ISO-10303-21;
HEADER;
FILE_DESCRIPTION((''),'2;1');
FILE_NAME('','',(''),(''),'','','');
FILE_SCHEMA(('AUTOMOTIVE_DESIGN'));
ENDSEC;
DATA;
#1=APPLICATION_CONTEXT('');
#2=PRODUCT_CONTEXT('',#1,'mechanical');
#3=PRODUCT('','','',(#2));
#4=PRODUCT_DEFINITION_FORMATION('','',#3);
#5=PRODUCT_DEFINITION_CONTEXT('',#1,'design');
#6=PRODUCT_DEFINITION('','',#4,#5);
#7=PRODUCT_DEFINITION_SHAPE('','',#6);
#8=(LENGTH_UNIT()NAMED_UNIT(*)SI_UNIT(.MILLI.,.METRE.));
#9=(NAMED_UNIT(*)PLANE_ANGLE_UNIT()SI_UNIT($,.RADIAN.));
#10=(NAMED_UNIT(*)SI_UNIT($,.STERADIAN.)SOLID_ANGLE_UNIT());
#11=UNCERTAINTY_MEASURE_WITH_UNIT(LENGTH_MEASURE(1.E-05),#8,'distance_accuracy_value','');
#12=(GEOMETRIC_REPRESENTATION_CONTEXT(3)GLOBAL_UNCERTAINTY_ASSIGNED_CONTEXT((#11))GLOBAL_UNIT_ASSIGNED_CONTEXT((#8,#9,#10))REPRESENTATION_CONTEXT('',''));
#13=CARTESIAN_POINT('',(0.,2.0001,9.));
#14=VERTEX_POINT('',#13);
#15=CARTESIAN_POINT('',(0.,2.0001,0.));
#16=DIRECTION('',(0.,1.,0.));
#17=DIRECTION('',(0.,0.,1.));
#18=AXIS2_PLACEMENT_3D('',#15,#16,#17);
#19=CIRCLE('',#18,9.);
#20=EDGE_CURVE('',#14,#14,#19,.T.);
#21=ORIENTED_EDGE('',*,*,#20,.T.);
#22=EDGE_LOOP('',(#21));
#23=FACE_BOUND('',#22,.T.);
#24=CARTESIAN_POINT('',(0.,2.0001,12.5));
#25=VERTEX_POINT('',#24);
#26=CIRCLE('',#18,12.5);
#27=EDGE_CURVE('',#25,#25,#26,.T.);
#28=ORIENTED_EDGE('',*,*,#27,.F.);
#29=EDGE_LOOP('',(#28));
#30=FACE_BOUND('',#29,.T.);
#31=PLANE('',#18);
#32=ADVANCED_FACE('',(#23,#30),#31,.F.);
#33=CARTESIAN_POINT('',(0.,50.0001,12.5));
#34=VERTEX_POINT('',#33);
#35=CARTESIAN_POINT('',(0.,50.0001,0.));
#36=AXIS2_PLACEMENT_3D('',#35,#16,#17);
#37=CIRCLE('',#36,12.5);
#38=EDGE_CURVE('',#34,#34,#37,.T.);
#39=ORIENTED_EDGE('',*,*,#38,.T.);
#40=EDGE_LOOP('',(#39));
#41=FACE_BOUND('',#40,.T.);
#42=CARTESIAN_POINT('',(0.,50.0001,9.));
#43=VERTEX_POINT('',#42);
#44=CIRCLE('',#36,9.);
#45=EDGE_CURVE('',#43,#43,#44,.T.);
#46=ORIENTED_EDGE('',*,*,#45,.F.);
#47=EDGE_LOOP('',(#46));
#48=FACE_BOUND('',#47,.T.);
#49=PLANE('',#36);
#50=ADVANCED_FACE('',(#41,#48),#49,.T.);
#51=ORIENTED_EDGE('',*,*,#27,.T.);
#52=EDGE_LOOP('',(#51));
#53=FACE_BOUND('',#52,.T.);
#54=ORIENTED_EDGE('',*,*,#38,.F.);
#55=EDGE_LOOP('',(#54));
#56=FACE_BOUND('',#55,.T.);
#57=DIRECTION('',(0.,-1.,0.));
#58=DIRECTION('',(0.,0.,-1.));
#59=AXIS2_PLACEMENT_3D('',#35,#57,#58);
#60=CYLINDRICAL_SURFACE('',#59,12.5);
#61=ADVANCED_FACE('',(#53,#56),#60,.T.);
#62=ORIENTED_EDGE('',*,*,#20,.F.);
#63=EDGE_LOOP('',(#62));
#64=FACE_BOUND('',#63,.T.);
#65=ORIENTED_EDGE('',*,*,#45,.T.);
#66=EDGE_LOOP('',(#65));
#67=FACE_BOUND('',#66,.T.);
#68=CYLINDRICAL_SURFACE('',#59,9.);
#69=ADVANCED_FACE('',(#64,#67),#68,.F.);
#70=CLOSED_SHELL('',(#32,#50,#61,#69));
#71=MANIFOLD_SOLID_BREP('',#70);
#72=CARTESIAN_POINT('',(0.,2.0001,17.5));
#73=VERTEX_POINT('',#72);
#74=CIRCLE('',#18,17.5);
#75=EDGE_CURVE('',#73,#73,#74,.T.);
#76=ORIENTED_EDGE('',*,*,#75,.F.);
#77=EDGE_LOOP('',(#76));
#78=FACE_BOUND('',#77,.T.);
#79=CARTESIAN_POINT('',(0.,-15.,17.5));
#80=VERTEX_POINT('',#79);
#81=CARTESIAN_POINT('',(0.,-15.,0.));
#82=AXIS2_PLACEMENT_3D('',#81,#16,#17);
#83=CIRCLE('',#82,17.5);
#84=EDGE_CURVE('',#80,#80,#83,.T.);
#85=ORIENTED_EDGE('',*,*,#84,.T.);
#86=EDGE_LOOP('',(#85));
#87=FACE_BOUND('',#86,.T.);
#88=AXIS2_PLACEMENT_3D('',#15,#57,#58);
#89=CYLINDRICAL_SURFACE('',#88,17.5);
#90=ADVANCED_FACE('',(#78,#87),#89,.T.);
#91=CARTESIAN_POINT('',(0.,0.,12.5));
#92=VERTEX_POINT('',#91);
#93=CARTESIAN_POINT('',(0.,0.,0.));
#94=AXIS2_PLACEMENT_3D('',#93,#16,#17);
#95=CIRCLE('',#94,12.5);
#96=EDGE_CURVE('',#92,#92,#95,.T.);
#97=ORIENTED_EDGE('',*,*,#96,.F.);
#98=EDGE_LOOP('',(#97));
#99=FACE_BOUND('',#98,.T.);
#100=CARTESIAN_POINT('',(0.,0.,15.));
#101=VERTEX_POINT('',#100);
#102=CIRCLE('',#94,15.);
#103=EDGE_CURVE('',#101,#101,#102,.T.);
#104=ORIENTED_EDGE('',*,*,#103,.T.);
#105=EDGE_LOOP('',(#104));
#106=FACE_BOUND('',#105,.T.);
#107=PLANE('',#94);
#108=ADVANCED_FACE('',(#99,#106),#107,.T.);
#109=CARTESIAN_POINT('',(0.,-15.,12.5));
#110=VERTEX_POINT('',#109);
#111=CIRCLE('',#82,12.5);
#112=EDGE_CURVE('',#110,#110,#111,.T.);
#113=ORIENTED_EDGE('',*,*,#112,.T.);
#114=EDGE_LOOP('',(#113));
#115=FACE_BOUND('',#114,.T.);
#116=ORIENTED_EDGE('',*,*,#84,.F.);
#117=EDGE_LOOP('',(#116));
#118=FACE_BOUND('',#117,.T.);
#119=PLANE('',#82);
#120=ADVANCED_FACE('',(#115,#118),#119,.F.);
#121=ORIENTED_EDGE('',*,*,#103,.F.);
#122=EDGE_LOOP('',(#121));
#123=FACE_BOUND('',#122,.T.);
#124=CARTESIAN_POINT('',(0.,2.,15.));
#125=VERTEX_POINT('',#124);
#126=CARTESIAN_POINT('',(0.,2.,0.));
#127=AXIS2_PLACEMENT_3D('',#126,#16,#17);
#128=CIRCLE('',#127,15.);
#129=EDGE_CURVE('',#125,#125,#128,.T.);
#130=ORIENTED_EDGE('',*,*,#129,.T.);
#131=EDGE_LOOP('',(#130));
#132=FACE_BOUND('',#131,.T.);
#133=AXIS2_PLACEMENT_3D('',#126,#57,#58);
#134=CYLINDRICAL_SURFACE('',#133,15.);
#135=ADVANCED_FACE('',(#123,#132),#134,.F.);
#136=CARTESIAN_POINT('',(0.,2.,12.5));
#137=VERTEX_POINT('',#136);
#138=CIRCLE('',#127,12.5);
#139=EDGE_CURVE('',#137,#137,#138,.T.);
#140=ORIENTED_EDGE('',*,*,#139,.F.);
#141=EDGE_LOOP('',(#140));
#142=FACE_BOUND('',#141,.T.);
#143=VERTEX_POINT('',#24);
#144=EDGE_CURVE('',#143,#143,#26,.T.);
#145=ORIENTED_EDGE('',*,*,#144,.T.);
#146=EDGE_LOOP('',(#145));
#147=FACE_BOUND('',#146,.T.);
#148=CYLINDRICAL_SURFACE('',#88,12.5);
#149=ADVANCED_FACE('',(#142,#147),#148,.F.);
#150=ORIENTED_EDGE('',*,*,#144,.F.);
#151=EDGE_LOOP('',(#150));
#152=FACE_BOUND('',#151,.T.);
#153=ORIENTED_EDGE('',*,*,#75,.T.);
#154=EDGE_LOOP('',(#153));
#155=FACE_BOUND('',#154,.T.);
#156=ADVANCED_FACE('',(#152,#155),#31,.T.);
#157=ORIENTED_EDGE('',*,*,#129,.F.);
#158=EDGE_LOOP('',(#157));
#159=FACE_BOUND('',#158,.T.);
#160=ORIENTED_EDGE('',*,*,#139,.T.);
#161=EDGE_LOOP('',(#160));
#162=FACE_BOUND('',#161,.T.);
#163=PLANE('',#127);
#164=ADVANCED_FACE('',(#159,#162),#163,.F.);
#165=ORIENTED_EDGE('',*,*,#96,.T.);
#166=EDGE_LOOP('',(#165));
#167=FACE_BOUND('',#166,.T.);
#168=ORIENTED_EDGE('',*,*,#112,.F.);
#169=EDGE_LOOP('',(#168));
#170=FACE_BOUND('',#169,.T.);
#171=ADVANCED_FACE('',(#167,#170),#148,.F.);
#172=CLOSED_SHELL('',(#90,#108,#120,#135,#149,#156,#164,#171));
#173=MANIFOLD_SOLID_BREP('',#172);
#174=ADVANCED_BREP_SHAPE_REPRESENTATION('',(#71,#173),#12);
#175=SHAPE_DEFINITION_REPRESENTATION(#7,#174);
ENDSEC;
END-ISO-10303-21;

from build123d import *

# Parameters (mm, degrees)
BOSS_EXTRUDE4_DEPTH      = 2.0001
BOSS_EXTRUDE4_DEPTH_BACK = 15
SKETCH4_R                = 17.5
SKETCH4_R_2              = 12.5
SKETCH13_R               = 15
CUT_EXTRUDE8_DEPTH       = 2
SKETCH18_R               = 12.5
BOSS_EXTRUDE10_DEPTH     = 48
SKETCH21_R               = 9
CUT_EXTRUDE10_DEPTH      = 48


with BuildPart() as part:
    # Sketch4 → Boss-Extrude4 (new, two sides: drawn at the far end of the back side and taken through both)
    with BuildSketch(Plane(origin=(0, 0, 0), x_dir=(1, 0, 0), z_dir=(0, 1, 0)).offset(-BOSS_EXTRUDE4_DEPTH_BACK)):
        with Locations(Location((0, 0, 0), (0, 0, 270))):
            Circle(SKETCH4_R)
        with Locations(Location((0, 0, 0), (0, 0, 270))):
            Circle(SKETCH4_R_2, mode=Mode.SUBTRACT)
    extrude(amount=BOSS_EXTRUDE4_DEPTH + BOSS_EXTRUDE4_DEPTH_BACK)

    # Sketch13 → Cut-Extrude8 (cut)
    with BuildSketch(Plane(origin=(0, 0, 0), x_dir=(1, 0, 0), z_dir=(0, 1, 0))):
        with Locations(Location((0, 0, 0), (0, 0, 270))):
            Circle(SKETCH13_R)
    extrude(amount=CUT_EXTRUDE8_DEPTH, mode=Mode.SUBTRACT)


with BuildPart() as body_2:
    # Sketch18 → Boss-Extrude10 (new body)
    with BuildSketch(Plane(origin=(0, 2.0001, 0), x_dir=(1, 0, 0), z_dir=(0, 1, 0))):
        with Locations(Location((0, 0, 0), (0, 0, 270))):
            Circle(SKETCH18_R)
    extrude(amount=BOSS_EXTRUDE10_DEPTH)

    # Sketch21 → Cut-Extrude10 (cut)
    with BuildSketch(Plane(origin=(0, 2.0001, 0), x_dir=(1, 0, 0), z_dir=(0, 1, 0))):
        with Locations(Location((0, 0, 0), (0, 0, 270))):
            Circle(SKETCH21_R)
    extrude(amount=CUT_EXTRUDE10_DEPTH, mode=Mode.SUBTRACT)


solid = Compound([part.part, body_2.part])
